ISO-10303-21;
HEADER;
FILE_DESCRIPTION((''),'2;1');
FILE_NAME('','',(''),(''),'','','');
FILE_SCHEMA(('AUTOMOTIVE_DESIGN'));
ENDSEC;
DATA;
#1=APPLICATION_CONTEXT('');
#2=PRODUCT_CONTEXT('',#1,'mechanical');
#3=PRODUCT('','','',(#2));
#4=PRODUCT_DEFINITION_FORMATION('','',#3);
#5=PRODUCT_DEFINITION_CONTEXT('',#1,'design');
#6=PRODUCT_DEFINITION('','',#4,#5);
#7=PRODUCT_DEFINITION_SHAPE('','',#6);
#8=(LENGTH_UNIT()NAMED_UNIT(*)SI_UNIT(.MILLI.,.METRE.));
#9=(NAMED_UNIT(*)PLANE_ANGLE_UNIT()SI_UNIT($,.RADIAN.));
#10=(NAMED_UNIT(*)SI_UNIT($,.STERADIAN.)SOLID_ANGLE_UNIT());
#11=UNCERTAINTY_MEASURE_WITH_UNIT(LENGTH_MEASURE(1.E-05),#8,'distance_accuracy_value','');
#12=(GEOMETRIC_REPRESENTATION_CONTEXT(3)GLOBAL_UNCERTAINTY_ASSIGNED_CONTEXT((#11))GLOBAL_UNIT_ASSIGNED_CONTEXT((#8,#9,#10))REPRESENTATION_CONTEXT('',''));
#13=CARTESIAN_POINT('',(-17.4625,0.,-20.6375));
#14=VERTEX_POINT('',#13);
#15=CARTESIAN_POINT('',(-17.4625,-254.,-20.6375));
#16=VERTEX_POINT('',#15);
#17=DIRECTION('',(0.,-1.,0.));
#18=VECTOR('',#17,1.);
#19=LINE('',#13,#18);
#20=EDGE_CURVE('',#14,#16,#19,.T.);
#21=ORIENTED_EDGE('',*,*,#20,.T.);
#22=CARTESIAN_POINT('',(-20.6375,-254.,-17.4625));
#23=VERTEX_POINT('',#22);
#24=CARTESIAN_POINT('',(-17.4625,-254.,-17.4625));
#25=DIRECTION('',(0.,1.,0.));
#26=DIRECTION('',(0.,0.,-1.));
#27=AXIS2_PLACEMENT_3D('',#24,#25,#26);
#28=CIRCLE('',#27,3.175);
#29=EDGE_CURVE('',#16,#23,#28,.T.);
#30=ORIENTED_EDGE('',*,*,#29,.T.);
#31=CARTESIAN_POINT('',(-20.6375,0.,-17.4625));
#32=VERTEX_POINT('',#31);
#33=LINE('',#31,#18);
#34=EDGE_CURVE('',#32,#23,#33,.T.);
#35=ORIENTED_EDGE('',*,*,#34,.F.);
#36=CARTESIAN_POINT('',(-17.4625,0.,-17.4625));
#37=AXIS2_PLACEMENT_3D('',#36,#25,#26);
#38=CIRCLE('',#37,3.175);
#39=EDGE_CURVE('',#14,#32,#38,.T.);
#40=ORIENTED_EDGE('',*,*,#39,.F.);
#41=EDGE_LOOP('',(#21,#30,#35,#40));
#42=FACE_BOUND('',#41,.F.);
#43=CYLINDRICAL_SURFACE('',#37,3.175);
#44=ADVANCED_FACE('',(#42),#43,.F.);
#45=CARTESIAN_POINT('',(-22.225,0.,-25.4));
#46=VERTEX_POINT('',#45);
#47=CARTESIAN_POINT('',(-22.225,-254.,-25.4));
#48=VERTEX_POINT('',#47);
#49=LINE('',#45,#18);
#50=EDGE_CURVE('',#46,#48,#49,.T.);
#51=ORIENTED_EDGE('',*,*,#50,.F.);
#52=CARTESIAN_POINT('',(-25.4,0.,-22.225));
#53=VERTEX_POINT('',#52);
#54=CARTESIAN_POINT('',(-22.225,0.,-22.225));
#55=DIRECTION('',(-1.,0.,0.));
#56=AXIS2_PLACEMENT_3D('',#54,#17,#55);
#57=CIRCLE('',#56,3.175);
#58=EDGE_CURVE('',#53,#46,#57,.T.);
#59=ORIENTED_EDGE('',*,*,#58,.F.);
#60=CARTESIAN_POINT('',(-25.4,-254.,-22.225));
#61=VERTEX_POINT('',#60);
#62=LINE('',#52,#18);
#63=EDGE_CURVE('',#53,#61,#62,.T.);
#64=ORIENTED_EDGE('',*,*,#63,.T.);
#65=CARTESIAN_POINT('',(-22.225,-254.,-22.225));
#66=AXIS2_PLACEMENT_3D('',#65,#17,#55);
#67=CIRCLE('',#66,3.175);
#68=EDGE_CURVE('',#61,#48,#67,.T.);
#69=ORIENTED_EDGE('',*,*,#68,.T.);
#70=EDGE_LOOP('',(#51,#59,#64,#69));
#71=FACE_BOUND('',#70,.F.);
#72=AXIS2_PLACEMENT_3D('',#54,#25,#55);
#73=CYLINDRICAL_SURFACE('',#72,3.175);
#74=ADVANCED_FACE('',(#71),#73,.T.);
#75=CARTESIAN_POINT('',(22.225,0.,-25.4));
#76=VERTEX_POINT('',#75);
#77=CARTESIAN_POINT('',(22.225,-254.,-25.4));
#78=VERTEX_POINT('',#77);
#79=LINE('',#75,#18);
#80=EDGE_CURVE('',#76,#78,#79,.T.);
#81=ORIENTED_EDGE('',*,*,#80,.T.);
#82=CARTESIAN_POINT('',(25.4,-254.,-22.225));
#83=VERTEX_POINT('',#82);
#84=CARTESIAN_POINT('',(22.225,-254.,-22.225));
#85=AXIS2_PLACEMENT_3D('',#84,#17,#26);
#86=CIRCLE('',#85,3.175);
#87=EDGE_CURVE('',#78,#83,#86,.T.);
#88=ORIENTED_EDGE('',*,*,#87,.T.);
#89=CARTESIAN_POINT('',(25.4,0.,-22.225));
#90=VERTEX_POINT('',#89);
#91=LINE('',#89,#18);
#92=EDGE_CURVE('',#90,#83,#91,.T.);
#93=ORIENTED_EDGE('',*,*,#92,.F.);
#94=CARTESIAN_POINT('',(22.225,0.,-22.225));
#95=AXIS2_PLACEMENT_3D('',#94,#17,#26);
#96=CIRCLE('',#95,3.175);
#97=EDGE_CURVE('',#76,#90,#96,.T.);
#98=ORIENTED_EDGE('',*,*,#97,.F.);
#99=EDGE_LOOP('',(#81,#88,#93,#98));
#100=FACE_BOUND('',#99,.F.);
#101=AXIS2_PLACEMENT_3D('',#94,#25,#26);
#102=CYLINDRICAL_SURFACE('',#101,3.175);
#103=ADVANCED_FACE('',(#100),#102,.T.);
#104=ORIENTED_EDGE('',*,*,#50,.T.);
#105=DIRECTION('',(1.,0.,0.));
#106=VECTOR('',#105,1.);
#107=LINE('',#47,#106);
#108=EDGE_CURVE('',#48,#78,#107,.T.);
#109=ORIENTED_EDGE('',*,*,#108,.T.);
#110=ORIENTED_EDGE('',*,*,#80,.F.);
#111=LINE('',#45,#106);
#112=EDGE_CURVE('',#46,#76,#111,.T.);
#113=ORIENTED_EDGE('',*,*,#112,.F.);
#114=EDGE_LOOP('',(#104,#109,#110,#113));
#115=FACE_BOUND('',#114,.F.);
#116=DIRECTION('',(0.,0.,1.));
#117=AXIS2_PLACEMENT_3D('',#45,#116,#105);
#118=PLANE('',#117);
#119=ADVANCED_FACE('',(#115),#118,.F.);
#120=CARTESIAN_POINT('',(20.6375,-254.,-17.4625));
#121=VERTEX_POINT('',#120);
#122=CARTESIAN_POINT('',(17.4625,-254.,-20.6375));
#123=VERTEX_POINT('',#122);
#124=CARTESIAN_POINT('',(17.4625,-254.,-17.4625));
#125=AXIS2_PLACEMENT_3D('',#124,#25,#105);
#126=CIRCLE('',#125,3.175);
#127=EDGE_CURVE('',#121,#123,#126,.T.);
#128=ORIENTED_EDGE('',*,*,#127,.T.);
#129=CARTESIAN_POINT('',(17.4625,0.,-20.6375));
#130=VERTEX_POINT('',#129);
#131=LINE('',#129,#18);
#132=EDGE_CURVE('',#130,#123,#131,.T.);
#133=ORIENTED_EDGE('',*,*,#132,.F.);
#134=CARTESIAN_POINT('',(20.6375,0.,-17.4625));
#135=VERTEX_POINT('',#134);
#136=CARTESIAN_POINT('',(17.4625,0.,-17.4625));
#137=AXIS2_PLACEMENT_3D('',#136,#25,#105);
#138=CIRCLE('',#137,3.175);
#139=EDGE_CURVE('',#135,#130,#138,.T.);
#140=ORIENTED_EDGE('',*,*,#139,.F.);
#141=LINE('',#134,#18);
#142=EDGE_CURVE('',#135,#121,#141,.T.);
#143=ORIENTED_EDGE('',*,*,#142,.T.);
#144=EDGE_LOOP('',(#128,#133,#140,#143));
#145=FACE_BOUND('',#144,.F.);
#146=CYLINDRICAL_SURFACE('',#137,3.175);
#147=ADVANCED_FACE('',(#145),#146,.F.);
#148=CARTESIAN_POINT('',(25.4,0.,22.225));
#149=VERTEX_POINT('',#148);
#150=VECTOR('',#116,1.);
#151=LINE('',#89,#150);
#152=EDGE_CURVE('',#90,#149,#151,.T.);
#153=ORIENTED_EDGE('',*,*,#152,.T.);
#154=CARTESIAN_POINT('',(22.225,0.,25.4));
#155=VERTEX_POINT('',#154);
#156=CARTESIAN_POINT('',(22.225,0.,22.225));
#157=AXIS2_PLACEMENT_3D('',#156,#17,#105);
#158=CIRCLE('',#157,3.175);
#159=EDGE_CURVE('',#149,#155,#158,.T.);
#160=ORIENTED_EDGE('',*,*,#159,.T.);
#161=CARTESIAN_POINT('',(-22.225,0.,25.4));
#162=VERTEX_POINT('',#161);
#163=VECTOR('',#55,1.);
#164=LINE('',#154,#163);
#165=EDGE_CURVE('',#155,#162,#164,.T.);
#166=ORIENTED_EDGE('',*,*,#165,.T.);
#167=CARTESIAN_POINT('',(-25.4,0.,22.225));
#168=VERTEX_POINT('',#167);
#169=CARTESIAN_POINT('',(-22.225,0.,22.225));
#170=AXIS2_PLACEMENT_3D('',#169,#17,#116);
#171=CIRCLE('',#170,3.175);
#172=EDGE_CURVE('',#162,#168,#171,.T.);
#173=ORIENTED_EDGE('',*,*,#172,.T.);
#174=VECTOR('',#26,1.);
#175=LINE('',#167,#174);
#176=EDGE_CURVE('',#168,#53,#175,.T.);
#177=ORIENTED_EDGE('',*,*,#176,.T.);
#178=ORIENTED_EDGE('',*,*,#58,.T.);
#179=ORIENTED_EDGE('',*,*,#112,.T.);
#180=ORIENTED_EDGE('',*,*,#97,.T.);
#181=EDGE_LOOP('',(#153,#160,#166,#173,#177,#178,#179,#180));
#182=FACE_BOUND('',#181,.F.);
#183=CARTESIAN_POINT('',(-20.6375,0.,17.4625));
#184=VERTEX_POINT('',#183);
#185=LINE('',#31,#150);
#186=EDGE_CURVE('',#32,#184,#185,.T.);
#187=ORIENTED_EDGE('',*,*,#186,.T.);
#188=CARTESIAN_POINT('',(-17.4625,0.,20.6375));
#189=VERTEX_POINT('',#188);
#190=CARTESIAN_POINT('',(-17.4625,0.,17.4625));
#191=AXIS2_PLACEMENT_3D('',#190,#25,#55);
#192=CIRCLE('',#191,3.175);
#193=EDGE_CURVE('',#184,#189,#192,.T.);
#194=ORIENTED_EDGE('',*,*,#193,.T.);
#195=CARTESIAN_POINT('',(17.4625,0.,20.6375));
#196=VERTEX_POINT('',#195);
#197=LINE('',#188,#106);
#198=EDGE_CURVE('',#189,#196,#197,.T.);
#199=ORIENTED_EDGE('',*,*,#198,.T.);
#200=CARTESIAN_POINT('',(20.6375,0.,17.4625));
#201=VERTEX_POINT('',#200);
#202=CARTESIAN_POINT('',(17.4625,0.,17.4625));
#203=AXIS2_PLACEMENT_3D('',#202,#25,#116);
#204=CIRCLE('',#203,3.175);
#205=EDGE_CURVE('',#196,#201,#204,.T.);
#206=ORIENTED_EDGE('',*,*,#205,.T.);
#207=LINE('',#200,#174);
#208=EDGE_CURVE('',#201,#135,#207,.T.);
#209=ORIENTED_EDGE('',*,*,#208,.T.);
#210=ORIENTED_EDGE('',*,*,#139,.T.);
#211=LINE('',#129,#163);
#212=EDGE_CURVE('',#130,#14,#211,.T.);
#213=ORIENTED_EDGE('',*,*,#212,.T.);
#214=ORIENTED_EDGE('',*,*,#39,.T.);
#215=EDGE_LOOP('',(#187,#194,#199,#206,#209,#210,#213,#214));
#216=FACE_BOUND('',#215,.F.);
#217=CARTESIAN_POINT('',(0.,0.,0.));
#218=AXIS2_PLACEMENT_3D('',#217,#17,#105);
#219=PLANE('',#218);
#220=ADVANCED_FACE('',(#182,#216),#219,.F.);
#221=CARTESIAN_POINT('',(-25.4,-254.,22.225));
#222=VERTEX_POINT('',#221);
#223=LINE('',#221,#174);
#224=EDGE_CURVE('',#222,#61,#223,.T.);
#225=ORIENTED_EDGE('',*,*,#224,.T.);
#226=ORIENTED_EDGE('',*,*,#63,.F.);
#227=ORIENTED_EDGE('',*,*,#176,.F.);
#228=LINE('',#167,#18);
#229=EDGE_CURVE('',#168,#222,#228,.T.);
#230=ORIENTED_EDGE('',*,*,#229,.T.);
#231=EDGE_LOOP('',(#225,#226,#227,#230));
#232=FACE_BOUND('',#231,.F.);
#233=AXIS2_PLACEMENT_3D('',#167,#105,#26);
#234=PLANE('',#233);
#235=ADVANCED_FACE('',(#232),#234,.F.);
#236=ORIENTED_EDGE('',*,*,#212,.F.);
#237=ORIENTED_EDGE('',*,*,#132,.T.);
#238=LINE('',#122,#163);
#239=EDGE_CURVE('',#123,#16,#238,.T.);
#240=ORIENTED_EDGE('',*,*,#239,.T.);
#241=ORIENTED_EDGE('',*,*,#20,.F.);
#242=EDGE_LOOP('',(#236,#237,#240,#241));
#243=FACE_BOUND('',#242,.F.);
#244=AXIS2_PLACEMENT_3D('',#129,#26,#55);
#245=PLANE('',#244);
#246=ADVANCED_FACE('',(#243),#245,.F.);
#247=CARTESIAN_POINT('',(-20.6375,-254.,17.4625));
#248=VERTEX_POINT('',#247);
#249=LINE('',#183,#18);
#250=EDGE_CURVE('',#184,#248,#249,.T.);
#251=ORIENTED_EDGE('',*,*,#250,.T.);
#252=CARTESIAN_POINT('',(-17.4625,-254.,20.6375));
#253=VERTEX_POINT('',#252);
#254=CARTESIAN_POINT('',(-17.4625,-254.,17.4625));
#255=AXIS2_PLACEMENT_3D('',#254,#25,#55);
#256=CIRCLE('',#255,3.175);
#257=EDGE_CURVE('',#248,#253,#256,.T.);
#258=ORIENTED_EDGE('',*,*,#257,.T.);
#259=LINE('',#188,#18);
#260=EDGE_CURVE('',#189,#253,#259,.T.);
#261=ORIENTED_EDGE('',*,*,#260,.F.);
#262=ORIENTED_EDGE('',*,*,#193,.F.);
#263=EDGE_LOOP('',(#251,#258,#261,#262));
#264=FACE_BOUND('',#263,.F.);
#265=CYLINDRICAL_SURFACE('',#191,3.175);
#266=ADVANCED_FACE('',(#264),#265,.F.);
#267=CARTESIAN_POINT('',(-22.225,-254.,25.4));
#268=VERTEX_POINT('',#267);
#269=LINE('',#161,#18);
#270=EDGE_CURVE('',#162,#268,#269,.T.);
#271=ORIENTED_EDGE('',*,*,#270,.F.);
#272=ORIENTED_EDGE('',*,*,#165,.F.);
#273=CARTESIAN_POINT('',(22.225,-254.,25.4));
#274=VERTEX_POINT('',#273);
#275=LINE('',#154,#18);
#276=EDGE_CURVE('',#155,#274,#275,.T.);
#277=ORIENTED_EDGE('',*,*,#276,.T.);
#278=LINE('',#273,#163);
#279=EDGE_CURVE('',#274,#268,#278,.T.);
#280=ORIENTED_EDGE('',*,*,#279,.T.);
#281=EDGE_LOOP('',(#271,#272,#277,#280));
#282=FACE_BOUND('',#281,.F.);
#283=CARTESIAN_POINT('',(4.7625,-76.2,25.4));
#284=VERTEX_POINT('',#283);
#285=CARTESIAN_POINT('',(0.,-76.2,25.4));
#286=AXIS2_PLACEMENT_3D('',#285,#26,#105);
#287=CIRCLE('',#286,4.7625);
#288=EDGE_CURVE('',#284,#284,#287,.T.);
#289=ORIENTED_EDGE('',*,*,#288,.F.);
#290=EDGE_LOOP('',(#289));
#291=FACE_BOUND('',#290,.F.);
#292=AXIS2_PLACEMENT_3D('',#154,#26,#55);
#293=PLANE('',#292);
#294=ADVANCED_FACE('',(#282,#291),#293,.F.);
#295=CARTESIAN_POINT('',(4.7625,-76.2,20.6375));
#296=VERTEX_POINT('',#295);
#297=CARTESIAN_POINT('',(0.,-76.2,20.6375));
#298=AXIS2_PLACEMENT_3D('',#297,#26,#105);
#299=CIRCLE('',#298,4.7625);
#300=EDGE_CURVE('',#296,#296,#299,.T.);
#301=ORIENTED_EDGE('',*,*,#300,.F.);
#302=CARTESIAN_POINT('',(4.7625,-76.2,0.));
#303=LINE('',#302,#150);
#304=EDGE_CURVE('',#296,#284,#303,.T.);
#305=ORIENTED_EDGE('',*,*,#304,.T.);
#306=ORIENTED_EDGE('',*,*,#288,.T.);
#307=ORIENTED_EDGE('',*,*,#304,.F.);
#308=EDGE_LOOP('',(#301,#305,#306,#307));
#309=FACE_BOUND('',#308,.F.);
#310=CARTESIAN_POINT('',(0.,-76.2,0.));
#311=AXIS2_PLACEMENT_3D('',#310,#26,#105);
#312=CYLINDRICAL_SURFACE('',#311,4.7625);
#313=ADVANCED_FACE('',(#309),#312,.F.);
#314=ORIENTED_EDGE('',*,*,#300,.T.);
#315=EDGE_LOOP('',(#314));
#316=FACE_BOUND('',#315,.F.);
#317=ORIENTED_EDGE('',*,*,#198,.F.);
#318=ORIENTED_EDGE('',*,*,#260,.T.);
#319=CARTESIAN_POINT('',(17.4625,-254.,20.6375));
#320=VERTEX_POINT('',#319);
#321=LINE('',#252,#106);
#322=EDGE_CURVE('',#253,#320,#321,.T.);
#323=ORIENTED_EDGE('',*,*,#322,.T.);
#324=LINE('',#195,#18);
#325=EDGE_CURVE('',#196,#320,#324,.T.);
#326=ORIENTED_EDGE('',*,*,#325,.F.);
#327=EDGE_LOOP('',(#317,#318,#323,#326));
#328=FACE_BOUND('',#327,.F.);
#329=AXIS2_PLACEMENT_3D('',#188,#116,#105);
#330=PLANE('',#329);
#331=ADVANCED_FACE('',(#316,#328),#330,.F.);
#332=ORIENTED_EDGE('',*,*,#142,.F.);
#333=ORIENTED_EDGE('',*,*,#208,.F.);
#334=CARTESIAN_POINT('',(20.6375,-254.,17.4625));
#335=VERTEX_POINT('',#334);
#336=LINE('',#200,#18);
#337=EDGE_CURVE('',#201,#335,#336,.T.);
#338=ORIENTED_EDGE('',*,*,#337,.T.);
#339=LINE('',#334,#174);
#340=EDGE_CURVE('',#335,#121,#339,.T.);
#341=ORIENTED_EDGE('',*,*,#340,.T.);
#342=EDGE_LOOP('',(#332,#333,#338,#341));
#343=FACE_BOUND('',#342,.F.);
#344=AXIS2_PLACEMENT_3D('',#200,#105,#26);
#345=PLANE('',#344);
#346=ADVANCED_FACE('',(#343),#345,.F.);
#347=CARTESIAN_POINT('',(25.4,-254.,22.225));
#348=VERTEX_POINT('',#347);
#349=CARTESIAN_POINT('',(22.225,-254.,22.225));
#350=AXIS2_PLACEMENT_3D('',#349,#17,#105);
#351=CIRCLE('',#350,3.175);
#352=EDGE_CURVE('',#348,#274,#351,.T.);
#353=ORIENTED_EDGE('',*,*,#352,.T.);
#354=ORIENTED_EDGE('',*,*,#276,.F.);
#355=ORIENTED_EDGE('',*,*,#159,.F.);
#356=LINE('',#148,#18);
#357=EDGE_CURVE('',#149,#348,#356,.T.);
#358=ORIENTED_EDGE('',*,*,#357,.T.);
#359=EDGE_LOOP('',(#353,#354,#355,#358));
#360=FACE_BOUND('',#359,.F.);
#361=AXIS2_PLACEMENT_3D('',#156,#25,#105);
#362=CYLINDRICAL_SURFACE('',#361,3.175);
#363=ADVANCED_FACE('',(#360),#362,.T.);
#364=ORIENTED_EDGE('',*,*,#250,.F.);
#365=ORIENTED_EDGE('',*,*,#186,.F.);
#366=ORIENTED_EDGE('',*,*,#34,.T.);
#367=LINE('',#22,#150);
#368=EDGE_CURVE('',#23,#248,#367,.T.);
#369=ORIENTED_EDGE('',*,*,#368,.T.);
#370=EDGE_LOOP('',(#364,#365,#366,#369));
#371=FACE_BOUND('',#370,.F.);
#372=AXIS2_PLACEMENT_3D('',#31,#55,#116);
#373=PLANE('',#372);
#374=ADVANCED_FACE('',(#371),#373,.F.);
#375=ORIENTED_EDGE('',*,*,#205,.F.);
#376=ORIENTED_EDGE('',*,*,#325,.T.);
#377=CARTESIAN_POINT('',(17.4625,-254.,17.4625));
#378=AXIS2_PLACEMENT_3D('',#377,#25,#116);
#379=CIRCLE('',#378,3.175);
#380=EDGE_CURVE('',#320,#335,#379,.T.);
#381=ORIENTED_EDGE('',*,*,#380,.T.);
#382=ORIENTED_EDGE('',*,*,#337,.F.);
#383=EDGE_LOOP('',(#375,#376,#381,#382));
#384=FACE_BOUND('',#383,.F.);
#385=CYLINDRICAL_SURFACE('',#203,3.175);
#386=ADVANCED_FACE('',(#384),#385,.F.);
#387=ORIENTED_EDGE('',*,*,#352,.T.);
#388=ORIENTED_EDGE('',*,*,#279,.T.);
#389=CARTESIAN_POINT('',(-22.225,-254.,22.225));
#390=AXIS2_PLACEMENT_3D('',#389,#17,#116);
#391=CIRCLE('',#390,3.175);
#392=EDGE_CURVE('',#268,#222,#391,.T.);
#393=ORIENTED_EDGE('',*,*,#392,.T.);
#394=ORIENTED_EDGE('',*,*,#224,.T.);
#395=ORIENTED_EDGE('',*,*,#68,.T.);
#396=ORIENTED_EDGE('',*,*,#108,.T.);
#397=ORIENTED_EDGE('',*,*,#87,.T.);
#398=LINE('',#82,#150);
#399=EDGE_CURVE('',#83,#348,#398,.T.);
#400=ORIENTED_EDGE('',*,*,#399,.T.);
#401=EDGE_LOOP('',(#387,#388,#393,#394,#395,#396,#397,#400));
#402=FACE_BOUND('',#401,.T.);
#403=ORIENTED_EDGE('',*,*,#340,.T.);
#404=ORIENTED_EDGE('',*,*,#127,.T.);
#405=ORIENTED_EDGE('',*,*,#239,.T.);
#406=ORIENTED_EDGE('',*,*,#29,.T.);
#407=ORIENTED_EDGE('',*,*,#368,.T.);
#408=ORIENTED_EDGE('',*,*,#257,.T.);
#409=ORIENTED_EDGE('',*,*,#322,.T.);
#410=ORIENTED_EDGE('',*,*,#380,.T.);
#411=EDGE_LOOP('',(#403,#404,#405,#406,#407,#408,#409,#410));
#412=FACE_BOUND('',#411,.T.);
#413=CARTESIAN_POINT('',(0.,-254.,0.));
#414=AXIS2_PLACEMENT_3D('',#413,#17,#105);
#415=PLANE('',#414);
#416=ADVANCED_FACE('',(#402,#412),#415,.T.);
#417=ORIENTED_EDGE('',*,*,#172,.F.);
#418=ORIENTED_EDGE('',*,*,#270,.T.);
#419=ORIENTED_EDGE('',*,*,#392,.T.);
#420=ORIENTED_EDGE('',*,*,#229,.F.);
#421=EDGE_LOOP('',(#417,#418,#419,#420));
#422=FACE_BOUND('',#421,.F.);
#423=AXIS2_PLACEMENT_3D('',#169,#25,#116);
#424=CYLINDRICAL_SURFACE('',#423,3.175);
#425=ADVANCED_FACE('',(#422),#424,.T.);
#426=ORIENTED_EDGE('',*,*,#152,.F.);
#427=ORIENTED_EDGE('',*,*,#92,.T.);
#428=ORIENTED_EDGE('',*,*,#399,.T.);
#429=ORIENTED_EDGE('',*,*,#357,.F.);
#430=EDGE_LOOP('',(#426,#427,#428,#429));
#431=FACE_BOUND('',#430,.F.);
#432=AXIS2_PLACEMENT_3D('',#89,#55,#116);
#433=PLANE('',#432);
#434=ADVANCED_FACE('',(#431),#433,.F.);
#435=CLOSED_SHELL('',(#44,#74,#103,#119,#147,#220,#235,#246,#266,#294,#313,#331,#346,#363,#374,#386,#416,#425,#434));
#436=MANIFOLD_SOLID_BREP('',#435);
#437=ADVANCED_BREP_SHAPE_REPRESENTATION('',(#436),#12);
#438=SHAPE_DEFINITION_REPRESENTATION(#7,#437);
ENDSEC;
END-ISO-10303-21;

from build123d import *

# Parameters (mm, degrees)
F3_DEPTH = 254
F2_D     = 9.525
F2_DEPTH = 25.401


with BuildPart() as f3:
    # F0 (on Front) → F3 (new body)
    with BuildSketch(Plane.XZ):
        with BuildLine():
            Line((-22.225, -25.4), (22.225, -25.4))
            ThreePointArc((22.225, -25.4), (24.4700640303, -24.4700640303), (25.4, -22.225))
            Line((25.4, -22.225), (25.4, 22.225))
            ThreePointArc((25.4, 22.225), (24.4700640303, 24.4700640303), (22.225, 25.4))
            Line((22.225, 25.4), (-22.225, 25.4))
            ThreePointArc((-22.225, 25.4), (-24.4700640303, 24.4700640303), (-25.4, 22.225))
            Line((-25.4, 22.225), (-25.4, -22.225))
            ThreePointArc((-25.4, -22.225), (-24.4700640303, -24.4700640303), (-22.225, -25.4))
        make_face()
        with BuildLine():
            ThreePointArc((20.6375, -17.4625), (19.7075640303, -19.7075640303), (17.4625, -20.6375))
            Line((17.4625, -20.6375), (-17.4625, -20.6375))
            ThreePointArc((-17.4625, -20.6375), (-19.7075640303, -19.7075640303), (-20.6375, -17.4625))
            Line((-20.6375, -17.4625), (-20.6375, 17.4625))
            ThreePointArc((-20.6375, 17.4625), (-19.7075640303, 19.7075640303), (-17.4625, 20.6375))
            Line((-17.4625, 20.6375), (17.4625, 20.6375))
            ThreePointArc((17.4625, 20.6375), (19.7075640303, 19.7075640303), (20.6375, 17.4625))
            Line((20.6375, 17.4625), (20.6375, -17.4625))
        make_face(mode=Mode.SUBTRACT)
    extrude(amount=F3_DEPTH)

    # F2 (through all, one way)
    with BuildSketch(Plane(origin=(0, 0, 0), x_dir=(1, 0, 0), z_dir=(0, 0, -1))):
        with Locations((0, 76.2)):
            Circle(F2_D / 2)
    extrude(amount=-F2_DEPTH, mode=Mode.SUBTRACT)


solid = f3.part
